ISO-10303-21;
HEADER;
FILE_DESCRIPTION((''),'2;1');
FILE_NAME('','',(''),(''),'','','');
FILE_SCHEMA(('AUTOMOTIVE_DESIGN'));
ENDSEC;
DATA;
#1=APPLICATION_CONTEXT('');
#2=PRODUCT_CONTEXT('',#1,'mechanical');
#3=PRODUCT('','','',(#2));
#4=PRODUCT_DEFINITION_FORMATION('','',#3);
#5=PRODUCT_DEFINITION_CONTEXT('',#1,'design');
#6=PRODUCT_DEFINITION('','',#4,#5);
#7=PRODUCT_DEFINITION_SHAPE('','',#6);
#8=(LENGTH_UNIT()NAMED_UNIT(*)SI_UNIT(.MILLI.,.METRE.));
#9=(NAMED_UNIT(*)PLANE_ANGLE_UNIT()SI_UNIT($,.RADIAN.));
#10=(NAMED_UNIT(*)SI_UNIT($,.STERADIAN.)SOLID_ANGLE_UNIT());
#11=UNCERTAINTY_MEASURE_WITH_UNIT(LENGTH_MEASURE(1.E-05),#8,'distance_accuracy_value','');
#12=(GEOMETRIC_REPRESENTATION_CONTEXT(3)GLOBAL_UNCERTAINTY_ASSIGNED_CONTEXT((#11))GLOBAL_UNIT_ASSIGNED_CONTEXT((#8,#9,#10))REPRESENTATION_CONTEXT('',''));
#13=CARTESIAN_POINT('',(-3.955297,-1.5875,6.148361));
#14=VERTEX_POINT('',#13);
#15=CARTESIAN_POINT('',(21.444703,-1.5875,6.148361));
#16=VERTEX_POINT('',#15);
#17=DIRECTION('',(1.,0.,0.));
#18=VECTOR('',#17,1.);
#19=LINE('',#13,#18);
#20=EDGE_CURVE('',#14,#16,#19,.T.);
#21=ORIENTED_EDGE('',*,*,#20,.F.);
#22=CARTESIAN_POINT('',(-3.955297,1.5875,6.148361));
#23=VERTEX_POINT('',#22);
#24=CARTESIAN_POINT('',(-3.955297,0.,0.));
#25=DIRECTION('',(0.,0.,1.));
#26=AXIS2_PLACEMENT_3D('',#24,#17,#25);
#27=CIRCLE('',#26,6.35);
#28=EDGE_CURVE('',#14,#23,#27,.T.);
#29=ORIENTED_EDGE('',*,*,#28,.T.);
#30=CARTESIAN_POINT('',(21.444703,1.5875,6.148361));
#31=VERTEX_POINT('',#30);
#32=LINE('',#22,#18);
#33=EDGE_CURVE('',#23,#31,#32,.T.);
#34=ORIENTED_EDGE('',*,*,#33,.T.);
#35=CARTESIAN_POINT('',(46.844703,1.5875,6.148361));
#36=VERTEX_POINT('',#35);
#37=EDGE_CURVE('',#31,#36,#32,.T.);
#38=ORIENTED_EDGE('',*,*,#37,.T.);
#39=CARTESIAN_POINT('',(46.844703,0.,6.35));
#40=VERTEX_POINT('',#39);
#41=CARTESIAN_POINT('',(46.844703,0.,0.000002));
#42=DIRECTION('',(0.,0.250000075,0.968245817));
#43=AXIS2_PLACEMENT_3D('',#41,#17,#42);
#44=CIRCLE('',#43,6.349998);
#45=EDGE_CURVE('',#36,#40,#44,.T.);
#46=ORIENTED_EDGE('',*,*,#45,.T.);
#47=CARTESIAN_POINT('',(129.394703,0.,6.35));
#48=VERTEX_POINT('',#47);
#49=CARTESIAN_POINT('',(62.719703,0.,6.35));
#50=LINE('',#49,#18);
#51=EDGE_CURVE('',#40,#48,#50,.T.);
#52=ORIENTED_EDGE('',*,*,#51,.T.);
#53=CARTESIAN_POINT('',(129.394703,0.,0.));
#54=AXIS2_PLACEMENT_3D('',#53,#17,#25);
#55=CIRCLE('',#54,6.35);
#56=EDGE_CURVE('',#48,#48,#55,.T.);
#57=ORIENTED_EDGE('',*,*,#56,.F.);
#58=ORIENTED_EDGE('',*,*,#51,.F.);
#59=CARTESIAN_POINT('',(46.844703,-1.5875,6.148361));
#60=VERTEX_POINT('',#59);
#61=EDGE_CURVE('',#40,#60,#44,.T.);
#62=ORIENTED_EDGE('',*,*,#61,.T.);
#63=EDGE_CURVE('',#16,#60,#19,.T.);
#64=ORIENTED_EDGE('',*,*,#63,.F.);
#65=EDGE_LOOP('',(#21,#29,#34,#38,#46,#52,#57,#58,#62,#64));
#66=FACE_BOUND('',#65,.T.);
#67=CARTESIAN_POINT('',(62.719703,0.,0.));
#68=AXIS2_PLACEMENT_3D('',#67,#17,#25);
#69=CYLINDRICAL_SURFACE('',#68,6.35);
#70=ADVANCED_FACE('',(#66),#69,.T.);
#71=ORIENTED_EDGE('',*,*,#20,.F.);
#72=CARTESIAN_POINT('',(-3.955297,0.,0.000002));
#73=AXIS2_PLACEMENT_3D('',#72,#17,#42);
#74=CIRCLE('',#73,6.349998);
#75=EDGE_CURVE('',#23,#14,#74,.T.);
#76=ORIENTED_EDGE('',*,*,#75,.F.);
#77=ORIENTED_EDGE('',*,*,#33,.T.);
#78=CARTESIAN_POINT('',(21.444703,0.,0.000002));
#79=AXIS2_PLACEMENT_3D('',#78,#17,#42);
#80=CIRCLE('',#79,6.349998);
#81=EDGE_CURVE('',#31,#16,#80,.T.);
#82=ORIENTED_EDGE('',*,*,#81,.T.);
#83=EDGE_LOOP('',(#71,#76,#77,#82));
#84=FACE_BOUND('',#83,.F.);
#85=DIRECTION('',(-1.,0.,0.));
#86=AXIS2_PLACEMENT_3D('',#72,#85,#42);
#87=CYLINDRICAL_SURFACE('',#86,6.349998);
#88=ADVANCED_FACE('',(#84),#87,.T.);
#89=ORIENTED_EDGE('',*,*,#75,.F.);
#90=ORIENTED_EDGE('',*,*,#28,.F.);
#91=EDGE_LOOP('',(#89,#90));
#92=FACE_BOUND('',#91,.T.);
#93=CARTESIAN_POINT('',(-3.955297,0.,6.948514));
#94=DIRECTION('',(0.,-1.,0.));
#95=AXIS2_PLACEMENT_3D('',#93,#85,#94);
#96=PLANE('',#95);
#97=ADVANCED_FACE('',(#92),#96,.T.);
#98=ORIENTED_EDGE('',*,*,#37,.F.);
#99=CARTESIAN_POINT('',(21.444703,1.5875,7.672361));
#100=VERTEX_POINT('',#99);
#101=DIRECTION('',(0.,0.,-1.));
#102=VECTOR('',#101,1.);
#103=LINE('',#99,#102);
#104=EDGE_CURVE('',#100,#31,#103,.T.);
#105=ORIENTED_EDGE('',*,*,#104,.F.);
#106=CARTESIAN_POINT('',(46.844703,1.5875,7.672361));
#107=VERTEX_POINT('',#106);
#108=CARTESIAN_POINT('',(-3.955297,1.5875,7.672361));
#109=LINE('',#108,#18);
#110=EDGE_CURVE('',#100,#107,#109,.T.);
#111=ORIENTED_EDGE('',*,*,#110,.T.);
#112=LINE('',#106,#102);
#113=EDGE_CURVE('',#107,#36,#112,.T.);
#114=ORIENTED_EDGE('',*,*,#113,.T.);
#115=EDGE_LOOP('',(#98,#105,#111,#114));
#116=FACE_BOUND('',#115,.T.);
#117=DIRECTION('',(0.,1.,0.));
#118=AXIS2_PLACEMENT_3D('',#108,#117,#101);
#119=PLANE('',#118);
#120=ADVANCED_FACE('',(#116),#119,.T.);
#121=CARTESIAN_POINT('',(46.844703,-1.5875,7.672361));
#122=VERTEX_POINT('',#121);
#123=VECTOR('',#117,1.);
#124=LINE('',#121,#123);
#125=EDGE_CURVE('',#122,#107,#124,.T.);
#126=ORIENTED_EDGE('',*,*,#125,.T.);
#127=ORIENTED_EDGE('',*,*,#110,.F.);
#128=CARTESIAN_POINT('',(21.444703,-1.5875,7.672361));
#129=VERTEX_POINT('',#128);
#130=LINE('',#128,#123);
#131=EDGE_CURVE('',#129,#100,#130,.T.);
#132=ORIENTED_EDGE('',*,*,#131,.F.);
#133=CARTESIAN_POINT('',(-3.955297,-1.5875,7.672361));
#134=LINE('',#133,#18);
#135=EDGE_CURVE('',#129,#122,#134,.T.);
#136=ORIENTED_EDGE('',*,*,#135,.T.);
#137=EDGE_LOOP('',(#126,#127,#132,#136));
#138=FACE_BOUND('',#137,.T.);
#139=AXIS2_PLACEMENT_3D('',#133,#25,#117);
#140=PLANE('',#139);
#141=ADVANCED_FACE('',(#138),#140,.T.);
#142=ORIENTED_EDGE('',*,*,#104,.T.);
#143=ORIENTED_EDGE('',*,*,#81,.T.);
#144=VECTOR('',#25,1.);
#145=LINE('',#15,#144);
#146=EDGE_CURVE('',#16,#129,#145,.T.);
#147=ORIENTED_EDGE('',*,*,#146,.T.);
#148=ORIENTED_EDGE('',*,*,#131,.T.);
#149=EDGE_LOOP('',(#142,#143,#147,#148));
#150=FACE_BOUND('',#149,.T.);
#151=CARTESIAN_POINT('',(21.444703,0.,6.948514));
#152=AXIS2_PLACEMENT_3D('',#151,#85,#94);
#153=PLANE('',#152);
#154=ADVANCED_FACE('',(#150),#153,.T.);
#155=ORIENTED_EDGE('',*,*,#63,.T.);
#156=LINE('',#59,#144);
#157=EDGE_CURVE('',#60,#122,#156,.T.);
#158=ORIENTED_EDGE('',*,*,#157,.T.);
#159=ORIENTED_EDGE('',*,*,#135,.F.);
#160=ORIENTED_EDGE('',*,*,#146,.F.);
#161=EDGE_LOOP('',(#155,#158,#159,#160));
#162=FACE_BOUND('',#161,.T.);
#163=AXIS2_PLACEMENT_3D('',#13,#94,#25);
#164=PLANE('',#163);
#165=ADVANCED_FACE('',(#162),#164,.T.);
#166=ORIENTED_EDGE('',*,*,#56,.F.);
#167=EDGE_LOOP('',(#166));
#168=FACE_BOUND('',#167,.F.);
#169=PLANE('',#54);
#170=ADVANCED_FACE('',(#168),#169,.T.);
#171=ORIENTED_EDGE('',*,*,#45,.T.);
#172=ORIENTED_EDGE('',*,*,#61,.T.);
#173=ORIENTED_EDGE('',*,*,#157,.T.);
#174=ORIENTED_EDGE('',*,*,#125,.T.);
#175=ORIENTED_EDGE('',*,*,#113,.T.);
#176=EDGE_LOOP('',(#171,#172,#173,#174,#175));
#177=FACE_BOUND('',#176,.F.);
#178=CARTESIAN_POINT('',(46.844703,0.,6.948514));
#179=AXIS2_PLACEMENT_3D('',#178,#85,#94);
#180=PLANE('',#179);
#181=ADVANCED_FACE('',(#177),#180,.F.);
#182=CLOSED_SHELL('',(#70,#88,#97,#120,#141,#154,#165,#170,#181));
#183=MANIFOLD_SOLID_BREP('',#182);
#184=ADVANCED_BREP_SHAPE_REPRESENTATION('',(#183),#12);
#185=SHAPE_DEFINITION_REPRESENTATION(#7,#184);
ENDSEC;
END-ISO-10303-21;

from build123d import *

# Parameters (mm, degrees)
F0_W     = 133.35
F0_H     = 6.35
F3_DEPTH = 50.8
F5_DEPTH = 25.4


with BuildPart() as f1:
    # F0 (on Front) → F1 (revolve)
    with BuildSketch(Plane.XZ):
        with Locations((62.719703, 3.175)):
            Rectangle(F0_W, F0_H)
    revolve(axis=Axis((62.719703, 0, 0), (1, 0, 0)))

    # F2 (on face) → F3 (join)
    with BuildSketch(Plane(origin=(-3.955297, 0, 0), x_dir=(0, -1, 0), z_dir=(-1, 0, 0))):
        with BuildLine():
            Line((-1.5875, 7.672361), (-1.5875, 6.148361))
            ThreePointArc((-1.5875, 6.148361), (0, 6.35), (1.5875, 6.148361))
            Line((1.5875, 6.148361), (1.5875, 7.672361))
            Line((1.5875, 7.672361), (-1.5875, 7.672361))
        make_face()
    extrude(amount=-F3_DEPTH)

    # F4 (on face) → F5 (cut)
    with BuildSketch(Plane(origin=(-3.955297, 0, 0), x_dir=(0, -1, 0), z_dir=(-1, 0, 0))):
        with BuildLine():
            ThreePointArc((-1.5875, 6.148361), (0, 6.35), (1.5875, 6.148361))
            Line((1.5875, 6.148361), (1.5875, 7.672361))
            Line((1.5875, 7.672361), (-1.5875, 7.672361))
            Line((-1.5875, 7.672361), (-1.5875, 6.148361))
        make_face()
    extrude(amount=-F5_DEPTH, mode=Mode.SUBTRACT)


solid = f1.part
